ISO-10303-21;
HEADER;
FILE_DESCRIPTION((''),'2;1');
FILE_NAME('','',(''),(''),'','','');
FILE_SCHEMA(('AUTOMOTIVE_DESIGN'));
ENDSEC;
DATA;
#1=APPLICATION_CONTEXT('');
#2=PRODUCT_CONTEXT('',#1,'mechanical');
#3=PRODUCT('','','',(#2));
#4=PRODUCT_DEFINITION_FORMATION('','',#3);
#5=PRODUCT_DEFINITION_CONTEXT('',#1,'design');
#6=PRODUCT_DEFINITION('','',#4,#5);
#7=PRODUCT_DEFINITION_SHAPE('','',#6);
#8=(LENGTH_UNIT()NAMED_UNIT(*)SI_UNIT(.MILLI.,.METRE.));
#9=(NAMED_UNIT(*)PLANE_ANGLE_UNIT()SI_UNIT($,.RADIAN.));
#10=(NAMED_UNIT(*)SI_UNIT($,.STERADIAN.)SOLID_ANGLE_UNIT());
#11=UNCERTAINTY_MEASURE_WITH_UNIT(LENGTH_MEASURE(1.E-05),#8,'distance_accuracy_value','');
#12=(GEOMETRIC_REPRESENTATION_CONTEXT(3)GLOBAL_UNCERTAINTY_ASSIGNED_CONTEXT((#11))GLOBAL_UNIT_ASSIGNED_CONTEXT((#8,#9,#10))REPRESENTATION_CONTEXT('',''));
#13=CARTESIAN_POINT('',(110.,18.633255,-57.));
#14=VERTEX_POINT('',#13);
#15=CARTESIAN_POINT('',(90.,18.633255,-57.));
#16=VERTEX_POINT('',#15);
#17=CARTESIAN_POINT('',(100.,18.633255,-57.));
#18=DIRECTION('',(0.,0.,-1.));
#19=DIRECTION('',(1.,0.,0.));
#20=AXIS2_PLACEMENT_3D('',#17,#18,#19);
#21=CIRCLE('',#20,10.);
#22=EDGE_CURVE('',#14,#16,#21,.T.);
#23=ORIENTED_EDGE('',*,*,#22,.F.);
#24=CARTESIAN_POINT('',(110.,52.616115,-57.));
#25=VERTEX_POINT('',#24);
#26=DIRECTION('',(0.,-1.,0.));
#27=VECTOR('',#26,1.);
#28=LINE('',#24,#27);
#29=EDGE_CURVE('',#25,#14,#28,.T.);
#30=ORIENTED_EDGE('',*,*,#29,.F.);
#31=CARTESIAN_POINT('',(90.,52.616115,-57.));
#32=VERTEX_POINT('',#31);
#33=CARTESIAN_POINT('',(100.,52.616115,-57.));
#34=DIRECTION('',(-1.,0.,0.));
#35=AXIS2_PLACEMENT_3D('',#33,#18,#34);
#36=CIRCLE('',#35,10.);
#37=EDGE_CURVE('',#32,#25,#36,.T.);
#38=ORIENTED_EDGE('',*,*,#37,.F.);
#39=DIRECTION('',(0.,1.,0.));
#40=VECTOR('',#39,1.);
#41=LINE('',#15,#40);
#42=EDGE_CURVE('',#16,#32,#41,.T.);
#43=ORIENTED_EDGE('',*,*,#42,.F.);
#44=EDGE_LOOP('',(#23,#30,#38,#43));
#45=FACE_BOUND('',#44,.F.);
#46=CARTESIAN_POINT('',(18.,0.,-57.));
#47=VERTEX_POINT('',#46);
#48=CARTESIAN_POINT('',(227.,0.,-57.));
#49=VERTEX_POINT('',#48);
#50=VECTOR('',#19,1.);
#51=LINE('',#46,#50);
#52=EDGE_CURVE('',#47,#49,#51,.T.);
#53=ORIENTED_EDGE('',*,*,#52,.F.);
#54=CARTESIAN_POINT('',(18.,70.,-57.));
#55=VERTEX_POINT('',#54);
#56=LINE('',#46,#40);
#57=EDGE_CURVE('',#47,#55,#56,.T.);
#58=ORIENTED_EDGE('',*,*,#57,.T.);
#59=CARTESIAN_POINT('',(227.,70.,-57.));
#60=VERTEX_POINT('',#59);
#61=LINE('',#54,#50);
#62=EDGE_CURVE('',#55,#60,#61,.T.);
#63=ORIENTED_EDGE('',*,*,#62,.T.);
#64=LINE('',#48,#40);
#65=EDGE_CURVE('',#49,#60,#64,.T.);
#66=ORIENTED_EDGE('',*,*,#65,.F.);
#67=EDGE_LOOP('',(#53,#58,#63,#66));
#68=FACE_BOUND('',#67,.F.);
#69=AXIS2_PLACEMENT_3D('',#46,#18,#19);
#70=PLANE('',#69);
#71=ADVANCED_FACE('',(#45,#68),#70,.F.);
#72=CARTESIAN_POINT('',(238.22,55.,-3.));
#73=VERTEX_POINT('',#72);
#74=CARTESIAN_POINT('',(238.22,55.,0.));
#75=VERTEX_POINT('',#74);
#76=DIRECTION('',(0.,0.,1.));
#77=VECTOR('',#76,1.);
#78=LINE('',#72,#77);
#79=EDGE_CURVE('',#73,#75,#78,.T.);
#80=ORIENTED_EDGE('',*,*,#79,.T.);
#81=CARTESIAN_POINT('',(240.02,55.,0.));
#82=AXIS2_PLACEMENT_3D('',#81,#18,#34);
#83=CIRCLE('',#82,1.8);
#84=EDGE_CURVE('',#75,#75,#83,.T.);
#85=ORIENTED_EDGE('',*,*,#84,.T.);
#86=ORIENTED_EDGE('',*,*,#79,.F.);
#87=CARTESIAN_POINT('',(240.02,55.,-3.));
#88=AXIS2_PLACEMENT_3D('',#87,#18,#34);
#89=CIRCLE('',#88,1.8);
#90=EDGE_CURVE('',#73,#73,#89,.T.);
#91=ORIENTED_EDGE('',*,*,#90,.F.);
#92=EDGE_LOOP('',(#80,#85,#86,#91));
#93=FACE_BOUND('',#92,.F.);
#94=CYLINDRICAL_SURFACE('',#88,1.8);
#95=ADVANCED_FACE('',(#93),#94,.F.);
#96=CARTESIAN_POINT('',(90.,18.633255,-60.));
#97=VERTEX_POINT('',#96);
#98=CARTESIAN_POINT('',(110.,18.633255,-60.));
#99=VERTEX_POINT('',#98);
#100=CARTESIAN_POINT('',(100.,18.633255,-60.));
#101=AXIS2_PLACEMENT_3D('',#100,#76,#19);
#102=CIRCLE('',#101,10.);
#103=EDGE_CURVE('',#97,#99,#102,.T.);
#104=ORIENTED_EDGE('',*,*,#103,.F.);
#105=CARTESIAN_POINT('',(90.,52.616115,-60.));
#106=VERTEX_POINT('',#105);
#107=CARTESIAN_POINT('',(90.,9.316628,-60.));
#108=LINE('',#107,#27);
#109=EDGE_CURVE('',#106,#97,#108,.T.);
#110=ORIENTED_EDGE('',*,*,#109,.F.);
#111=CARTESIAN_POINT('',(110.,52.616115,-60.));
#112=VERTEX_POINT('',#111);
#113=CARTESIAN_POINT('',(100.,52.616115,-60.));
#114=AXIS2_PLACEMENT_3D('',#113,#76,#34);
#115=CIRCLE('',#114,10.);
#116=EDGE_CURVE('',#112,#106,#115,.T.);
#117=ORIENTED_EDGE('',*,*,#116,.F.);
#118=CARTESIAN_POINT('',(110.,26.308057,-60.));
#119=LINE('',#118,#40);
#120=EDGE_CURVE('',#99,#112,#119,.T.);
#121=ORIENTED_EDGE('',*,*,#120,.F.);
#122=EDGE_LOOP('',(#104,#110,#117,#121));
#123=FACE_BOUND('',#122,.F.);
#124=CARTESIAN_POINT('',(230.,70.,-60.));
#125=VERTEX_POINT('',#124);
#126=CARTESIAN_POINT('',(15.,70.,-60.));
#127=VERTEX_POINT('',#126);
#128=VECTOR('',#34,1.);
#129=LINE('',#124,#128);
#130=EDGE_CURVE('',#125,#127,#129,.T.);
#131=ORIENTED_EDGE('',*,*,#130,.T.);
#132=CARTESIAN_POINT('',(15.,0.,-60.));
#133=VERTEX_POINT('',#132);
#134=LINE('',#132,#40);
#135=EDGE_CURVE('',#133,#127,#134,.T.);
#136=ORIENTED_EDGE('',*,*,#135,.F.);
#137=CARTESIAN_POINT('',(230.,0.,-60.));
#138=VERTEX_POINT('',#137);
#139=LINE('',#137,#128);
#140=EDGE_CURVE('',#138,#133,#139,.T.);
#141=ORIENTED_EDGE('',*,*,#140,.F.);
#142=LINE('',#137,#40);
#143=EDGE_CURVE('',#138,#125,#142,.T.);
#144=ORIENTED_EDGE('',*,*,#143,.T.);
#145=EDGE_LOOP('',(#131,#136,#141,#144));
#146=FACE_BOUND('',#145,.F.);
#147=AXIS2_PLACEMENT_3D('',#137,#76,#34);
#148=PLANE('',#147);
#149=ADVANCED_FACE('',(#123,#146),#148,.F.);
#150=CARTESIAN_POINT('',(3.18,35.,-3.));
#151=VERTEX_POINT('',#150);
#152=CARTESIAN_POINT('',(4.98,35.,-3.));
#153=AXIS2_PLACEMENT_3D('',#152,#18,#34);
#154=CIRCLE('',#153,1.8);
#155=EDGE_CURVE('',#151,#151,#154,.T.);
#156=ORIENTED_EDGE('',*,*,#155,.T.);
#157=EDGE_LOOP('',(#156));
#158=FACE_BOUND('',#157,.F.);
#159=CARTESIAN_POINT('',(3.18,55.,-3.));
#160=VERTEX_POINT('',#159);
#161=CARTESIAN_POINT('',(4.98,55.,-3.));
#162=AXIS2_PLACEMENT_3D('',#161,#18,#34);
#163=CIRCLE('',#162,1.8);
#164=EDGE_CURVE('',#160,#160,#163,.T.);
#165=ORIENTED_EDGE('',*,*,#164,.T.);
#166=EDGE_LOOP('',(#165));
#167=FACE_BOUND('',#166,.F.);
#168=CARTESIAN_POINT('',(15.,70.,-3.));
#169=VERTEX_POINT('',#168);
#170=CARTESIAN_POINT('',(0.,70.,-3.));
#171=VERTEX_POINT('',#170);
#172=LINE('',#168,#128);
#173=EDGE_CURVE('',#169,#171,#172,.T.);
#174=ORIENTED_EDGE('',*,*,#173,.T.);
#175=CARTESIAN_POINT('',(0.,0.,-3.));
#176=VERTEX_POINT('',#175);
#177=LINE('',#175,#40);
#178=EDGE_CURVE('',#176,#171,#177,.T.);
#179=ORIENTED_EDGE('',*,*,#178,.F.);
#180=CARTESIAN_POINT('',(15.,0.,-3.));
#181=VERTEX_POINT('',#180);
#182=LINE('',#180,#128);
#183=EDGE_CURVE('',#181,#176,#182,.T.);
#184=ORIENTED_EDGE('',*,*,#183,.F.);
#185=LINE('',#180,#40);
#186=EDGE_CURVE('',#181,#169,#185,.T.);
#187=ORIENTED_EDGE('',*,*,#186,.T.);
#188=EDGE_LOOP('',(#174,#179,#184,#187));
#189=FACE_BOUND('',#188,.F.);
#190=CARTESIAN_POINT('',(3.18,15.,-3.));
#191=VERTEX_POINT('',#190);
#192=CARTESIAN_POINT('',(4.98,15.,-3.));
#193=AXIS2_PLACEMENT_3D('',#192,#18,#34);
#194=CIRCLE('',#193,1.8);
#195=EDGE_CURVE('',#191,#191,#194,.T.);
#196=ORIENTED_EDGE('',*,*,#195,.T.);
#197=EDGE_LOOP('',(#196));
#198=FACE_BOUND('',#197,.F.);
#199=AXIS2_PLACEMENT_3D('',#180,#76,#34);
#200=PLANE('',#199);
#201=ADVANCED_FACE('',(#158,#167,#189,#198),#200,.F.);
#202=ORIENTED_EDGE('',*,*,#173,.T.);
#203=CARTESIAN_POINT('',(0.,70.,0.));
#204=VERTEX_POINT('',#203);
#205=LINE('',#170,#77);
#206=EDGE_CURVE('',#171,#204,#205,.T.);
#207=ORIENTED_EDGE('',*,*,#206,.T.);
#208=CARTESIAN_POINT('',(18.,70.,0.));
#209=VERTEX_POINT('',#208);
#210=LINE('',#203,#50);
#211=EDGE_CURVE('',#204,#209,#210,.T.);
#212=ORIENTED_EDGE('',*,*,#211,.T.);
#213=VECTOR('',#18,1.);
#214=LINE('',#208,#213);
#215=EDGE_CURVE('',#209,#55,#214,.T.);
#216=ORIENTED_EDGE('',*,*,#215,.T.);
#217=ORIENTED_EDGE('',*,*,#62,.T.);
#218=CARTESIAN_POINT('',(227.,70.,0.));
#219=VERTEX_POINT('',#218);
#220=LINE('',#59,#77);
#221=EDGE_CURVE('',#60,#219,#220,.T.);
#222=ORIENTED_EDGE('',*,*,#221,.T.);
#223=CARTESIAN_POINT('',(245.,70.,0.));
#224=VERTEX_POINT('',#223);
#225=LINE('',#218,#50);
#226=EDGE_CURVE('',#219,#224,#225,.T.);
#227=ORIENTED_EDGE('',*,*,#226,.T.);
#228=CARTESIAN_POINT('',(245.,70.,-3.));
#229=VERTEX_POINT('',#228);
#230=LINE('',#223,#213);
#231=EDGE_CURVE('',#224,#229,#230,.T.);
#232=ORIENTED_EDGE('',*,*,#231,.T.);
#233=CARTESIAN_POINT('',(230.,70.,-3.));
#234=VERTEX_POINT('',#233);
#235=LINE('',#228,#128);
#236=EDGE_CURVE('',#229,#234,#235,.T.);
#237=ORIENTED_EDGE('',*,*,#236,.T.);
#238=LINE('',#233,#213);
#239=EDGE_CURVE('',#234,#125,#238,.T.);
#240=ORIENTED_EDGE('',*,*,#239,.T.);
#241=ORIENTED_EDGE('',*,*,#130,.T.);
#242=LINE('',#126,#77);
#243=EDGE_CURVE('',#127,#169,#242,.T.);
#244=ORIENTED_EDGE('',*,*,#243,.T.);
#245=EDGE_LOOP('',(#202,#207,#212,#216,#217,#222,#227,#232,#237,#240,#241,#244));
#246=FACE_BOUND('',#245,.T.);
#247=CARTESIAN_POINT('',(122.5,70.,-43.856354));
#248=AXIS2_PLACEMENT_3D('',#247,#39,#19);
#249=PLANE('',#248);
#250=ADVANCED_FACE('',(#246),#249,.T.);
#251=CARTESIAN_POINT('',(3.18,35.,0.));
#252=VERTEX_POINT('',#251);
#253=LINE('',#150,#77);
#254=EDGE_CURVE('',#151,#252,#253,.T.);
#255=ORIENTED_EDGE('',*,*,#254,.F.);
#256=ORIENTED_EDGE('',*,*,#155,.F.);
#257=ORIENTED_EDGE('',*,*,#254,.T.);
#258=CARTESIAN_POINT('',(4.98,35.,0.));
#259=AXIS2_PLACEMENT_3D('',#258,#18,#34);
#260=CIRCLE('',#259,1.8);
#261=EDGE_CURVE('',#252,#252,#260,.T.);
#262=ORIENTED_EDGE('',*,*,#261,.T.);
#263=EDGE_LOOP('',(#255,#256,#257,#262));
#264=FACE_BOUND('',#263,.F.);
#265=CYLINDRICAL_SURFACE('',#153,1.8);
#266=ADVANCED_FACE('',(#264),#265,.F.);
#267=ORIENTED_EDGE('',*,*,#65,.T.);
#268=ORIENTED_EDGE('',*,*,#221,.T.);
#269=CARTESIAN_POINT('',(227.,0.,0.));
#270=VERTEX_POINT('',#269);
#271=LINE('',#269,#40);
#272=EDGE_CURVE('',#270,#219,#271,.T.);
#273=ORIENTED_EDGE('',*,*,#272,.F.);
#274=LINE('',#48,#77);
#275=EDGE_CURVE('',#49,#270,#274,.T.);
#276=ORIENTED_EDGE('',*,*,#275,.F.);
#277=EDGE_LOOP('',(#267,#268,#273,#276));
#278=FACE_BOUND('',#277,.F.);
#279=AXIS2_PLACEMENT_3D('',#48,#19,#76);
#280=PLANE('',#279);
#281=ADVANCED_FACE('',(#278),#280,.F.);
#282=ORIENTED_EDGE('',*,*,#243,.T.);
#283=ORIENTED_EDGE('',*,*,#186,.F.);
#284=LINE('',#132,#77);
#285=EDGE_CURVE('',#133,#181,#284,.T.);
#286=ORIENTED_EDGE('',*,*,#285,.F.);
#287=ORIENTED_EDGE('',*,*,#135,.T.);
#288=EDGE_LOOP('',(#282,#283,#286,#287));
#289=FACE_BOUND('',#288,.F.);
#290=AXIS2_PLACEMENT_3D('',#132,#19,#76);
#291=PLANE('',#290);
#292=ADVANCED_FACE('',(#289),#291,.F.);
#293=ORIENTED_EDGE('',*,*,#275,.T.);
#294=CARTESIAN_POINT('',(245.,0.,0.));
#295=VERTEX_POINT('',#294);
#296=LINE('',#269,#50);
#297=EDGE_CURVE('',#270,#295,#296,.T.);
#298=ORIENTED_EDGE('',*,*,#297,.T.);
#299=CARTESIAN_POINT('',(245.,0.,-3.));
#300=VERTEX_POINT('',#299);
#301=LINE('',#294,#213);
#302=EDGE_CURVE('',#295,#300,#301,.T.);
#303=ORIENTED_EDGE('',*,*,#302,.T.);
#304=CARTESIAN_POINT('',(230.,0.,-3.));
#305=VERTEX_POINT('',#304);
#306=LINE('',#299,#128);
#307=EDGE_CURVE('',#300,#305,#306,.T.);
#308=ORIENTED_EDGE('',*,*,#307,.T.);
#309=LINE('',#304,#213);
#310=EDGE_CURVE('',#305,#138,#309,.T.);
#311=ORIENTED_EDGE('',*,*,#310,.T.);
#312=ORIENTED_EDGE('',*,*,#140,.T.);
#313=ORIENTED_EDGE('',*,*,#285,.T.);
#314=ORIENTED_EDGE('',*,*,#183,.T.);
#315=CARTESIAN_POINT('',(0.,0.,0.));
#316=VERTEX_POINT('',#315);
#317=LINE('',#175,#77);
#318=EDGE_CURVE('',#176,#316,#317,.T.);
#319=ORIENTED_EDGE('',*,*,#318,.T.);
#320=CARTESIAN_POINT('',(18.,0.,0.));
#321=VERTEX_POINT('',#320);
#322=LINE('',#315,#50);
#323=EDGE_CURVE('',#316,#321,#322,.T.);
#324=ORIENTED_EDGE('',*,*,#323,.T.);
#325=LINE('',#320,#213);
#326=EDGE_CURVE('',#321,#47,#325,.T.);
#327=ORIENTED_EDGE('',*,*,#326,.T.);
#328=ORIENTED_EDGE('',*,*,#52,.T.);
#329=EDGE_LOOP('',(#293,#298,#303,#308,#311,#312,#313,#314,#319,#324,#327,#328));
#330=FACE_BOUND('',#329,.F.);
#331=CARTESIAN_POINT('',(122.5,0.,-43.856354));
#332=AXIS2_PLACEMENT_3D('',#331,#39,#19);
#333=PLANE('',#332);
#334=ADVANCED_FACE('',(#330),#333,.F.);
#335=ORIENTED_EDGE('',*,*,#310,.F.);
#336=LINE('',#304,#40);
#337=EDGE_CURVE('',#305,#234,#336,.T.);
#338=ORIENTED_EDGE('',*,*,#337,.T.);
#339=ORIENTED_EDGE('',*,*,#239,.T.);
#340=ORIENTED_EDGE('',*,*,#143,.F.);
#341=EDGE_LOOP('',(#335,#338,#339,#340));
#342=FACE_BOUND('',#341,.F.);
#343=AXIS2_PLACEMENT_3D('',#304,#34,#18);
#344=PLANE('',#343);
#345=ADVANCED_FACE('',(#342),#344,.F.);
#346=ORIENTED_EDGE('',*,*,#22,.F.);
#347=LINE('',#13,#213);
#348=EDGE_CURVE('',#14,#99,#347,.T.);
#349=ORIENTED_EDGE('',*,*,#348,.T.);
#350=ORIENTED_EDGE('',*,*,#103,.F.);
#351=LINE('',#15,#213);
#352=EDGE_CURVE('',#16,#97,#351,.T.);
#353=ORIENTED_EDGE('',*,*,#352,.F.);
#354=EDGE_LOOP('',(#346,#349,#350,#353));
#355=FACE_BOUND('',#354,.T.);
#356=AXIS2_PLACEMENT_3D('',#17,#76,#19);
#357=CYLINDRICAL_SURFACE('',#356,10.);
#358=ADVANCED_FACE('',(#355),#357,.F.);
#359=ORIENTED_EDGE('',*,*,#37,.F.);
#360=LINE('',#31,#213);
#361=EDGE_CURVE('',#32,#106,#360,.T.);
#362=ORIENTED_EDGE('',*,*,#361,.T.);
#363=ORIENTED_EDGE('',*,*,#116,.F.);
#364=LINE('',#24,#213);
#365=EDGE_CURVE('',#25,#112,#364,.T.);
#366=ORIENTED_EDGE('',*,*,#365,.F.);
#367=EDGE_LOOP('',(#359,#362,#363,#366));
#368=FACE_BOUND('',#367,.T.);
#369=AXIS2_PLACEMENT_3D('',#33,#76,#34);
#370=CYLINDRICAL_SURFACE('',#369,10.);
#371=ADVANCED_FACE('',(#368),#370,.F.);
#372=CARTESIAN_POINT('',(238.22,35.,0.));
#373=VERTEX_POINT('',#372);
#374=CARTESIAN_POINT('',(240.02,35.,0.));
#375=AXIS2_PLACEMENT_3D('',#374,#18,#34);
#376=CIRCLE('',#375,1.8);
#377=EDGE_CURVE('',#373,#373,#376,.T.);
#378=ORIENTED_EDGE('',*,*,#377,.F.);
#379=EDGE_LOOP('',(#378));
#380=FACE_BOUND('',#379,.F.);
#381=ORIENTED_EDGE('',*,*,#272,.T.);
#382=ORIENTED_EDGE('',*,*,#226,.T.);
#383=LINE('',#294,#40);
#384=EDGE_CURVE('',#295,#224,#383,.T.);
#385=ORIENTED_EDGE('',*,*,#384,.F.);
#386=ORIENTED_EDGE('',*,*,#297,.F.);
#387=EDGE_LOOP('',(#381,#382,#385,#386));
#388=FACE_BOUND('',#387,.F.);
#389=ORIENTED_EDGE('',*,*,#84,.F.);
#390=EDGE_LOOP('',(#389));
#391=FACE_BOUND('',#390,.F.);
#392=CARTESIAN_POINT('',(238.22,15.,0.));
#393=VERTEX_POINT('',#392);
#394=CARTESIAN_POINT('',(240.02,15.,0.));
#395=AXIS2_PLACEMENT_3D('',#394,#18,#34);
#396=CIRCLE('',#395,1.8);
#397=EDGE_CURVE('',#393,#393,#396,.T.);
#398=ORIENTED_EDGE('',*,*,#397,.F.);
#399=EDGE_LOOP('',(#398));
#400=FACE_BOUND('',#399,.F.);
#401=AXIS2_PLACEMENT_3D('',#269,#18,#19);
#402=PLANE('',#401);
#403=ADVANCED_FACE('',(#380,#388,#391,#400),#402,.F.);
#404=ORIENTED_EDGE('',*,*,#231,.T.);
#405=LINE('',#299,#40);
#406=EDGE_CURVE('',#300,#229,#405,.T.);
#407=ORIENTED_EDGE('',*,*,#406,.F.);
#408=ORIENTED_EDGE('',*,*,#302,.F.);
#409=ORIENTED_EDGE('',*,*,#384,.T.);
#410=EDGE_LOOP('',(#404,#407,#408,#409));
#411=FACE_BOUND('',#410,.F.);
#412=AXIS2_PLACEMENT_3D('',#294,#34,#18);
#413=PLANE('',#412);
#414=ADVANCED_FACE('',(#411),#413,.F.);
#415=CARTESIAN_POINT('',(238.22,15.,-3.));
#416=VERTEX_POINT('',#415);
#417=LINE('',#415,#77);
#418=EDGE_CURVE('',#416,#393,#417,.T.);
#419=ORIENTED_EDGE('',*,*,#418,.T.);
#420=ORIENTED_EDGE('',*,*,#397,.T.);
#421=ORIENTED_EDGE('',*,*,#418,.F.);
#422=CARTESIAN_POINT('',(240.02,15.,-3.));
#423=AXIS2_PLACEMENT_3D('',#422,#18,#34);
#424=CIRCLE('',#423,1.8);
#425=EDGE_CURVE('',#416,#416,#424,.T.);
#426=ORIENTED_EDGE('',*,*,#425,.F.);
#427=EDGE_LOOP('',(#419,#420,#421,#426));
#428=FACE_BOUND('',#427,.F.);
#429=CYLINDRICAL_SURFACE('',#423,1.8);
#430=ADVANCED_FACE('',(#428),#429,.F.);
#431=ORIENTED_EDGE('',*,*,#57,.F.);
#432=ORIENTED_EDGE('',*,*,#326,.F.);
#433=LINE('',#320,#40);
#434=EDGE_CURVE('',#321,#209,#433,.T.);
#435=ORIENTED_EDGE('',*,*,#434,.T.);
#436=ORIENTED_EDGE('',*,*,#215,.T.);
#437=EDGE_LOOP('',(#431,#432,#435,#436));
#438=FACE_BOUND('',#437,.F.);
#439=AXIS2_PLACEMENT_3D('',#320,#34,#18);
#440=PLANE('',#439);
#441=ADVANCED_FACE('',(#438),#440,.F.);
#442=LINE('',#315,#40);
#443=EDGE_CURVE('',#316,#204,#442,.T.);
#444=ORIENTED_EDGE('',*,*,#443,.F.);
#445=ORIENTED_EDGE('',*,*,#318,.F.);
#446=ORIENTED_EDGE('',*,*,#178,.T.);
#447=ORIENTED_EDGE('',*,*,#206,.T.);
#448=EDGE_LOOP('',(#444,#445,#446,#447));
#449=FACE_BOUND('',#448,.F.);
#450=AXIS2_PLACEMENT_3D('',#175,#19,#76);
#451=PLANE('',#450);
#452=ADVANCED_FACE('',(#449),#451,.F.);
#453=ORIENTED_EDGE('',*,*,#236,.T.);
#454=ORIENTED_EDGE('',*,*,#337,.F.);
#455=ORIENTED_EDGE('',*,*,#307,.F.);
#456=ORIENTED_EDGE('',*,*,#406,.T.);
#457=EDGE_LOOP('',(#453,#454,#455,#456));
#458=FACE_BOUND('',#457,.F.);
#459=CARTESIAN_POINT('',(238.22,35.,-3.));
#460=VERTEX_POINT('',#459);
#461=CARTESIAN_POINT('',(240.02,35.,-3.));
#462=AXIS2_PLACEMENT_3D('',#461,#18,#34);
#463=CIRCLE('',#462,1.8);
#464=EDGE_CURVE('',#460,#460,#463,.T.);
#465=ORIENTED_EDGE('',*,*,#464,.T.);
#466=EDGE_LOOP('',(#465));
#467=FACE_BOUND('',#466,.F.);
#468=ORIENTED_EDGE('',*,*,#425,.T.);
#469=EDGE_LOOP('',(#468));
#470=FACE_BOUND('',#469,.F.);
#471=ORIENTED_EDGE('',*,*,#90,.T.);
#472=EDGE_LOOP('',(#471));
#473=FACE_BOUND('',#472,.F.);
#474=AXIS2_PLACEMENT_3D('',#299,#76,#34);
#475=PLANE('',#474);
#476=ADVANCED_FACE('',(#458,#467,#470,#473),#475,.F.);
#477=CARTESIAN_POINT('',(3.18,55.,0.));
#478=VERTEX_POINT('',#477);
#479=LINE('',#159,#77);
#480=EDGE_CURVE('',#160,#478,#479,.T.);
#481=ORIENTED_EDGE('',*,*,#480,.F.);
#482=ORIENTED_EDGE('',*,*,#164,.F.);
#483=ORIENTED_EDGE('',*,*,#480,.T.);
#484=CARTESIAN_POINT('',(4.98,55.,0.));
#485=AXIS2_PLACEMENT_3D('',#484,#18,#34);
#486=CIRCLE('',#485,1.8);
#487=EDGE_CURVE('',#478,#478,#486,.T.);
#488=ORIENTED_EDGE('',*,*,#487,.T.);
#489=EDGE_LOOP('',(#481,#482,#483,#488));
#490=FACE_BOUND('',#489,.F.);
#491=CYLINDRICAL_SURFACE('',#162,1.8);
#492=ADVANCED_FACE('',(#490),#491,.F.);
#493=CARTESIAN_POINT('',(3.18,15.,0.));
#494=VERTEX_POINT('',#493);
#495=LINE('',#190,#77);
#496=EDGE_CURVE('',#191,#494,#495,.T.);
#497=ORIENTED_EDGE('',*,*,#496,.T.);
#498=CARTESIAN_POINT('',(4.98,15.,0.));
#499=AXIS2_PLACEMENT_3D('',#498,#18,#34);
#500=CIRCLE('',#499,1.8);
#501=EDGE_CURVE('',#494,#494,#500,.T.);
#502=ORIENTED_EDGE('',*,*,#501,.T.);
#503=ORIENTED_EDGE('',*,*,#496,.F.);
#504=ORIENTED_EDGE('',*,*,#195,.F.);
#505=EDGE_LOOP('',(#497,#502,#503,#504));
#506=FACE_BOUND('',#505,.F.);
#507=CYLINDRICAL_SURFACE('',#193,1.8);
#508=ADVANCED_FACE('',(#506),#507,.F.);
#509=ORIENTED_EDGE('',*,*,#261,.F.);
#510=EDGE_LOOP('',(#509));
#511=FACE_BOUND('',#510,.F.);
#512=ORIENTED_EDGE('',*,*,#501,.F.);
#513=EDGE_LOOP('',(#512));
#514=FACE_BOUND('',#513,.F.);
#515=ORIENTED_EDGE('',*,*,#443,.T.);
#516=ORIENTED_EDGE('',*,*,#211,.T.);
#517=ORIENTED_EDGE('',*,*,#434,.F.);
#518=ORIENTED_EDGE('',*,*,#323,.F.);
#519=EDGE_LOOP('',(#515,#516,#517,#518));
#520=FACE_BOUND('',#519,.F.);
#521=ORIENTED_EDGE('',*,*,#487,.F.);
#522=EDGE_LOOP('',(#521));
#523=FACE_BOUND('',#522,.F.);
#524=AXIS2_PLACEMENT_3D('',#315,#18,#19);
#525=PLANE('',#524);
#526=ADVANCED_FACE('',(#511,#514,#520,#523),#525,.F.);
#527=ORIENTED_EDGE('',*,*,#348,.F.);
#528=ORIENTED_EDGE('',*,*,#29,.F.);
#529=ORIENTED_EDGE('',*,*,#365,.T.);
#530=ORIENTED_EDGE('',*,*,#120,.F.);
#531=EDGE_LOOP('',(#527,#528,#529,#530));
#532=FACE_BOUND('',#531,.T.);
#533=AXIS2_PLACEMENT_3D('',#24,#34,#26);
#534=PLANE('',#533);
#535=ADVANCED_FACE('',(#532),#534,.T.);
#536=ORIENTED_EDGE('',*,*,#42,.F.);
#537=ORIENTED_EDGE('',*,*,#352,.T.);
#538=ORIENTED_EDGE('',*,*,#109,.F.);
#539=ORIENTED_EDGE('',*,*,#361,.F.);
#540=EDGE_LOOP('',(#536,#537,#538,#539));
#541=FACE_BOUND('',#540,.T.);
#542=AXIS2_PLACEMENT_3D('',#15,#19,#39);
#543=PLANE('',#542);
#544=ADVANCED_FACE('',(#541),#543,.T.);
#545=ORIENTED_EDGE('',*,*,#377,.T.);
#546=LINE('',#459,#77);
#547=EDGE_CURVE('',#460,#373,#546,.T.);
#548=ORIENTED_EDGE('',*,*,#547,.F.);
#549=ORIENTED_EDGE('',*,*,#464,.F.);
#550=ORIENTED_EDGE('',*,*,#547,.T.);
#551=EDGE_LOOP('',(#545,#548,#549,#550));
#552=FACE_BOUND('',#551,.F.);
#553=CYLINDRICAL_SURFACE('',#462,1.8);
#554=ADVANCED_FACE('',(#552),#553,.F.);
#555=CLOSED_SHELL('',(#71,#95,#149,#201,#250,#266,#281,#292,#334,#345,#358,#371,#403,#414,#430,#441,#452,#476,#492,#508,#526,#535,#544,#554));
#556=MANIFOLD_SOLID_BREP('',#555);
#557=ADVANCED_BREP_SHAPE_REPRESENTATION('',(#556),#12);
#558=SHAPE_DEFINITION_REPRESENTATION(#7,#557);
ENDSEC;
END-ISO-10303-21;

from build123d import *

# Parameters (mm, degrees)
BOSS_EXTRUDE1_DEPTH = 70
SKETCH2_R           = 1.8
CUT_EXTRUDE1_DEPTH  = 262.101512826
CUT_EXTRUDE2_REACH  = 263.102


with BuildPart() as part:
    # Sketch1 → Boss-Extrude1 (new body)
    with BuildSketch(Plane(origin=(0, 0, 0), x_dir=(1, 0, 0), z_dir=(0, 1, 0))):
        Polygon((0, 0), (18, 0), (18, 57), (227, 57), (227, 0), (245, 0), (245, 3), (230, 3), (230, 60), (15, 60), (15, 3), (0, 3), align=None)
    extrude(amount=BOSS_EXTRUDE1_DEPTH)

    # Sketch2 → Cut-Extrude1 (cut, through all)
    with BuildSketch(Plane(origin=(0, 0, -3), x_dir=(-1, 0, 0), z_dir=(0, 0, -1))):
        with Locations((-240.02, 55)):
            Circle(SKETCH2_R)
        with Locations((-240.02, 35)):
            Circle(SKETCH2_R)
        with Locations((-240.02, 15)):
            Circle(SKETCH2_R)
        with Locations((-4.98, 15)):
            Circle(SKETCH2_R)
        with Locations((-4.98, 35)):
            Circle(SKETCH2_R)
        with Locations((-4.98, 55)):
            Circle(SKETCH2_R)
    extrude(amount=-CUT_EXTRUDE1_DEPTH, mode=Mode.SUBTRACT)

    # Sketch3 → Cut-Extrude2 (cut, up to next)
    with BuildSketch(Plane.XY.offset(-57), mode=Mode.PRIVATE) as cut_extrude2_sk1:
        with BuildLine():
            Line((110, 52.616114621), (110, 18.63325521))
            ThreePointArc((110, 18.63325521), (100, 8.63325521), (90, 18.63325521))
            Line((90, 18.63325521), (90, 52.616114621))
            ThreePointArc((90, 52.616114621), (100, 62.616114621), (110, 52.616114621))
        make_face()
    cut_extrude2_tool1 = extrude(cut_extrude2_sk1.sketch, amount=-CUT_EXTRUDE2_REACH, mode=Mode.PRIVATE) & part.part
    add(cut_extrude2_tool1.solids().sort_by_distance((100, 35.624685, -57))[0], mode=Mode.SUBTRACT)


solid = part.part
